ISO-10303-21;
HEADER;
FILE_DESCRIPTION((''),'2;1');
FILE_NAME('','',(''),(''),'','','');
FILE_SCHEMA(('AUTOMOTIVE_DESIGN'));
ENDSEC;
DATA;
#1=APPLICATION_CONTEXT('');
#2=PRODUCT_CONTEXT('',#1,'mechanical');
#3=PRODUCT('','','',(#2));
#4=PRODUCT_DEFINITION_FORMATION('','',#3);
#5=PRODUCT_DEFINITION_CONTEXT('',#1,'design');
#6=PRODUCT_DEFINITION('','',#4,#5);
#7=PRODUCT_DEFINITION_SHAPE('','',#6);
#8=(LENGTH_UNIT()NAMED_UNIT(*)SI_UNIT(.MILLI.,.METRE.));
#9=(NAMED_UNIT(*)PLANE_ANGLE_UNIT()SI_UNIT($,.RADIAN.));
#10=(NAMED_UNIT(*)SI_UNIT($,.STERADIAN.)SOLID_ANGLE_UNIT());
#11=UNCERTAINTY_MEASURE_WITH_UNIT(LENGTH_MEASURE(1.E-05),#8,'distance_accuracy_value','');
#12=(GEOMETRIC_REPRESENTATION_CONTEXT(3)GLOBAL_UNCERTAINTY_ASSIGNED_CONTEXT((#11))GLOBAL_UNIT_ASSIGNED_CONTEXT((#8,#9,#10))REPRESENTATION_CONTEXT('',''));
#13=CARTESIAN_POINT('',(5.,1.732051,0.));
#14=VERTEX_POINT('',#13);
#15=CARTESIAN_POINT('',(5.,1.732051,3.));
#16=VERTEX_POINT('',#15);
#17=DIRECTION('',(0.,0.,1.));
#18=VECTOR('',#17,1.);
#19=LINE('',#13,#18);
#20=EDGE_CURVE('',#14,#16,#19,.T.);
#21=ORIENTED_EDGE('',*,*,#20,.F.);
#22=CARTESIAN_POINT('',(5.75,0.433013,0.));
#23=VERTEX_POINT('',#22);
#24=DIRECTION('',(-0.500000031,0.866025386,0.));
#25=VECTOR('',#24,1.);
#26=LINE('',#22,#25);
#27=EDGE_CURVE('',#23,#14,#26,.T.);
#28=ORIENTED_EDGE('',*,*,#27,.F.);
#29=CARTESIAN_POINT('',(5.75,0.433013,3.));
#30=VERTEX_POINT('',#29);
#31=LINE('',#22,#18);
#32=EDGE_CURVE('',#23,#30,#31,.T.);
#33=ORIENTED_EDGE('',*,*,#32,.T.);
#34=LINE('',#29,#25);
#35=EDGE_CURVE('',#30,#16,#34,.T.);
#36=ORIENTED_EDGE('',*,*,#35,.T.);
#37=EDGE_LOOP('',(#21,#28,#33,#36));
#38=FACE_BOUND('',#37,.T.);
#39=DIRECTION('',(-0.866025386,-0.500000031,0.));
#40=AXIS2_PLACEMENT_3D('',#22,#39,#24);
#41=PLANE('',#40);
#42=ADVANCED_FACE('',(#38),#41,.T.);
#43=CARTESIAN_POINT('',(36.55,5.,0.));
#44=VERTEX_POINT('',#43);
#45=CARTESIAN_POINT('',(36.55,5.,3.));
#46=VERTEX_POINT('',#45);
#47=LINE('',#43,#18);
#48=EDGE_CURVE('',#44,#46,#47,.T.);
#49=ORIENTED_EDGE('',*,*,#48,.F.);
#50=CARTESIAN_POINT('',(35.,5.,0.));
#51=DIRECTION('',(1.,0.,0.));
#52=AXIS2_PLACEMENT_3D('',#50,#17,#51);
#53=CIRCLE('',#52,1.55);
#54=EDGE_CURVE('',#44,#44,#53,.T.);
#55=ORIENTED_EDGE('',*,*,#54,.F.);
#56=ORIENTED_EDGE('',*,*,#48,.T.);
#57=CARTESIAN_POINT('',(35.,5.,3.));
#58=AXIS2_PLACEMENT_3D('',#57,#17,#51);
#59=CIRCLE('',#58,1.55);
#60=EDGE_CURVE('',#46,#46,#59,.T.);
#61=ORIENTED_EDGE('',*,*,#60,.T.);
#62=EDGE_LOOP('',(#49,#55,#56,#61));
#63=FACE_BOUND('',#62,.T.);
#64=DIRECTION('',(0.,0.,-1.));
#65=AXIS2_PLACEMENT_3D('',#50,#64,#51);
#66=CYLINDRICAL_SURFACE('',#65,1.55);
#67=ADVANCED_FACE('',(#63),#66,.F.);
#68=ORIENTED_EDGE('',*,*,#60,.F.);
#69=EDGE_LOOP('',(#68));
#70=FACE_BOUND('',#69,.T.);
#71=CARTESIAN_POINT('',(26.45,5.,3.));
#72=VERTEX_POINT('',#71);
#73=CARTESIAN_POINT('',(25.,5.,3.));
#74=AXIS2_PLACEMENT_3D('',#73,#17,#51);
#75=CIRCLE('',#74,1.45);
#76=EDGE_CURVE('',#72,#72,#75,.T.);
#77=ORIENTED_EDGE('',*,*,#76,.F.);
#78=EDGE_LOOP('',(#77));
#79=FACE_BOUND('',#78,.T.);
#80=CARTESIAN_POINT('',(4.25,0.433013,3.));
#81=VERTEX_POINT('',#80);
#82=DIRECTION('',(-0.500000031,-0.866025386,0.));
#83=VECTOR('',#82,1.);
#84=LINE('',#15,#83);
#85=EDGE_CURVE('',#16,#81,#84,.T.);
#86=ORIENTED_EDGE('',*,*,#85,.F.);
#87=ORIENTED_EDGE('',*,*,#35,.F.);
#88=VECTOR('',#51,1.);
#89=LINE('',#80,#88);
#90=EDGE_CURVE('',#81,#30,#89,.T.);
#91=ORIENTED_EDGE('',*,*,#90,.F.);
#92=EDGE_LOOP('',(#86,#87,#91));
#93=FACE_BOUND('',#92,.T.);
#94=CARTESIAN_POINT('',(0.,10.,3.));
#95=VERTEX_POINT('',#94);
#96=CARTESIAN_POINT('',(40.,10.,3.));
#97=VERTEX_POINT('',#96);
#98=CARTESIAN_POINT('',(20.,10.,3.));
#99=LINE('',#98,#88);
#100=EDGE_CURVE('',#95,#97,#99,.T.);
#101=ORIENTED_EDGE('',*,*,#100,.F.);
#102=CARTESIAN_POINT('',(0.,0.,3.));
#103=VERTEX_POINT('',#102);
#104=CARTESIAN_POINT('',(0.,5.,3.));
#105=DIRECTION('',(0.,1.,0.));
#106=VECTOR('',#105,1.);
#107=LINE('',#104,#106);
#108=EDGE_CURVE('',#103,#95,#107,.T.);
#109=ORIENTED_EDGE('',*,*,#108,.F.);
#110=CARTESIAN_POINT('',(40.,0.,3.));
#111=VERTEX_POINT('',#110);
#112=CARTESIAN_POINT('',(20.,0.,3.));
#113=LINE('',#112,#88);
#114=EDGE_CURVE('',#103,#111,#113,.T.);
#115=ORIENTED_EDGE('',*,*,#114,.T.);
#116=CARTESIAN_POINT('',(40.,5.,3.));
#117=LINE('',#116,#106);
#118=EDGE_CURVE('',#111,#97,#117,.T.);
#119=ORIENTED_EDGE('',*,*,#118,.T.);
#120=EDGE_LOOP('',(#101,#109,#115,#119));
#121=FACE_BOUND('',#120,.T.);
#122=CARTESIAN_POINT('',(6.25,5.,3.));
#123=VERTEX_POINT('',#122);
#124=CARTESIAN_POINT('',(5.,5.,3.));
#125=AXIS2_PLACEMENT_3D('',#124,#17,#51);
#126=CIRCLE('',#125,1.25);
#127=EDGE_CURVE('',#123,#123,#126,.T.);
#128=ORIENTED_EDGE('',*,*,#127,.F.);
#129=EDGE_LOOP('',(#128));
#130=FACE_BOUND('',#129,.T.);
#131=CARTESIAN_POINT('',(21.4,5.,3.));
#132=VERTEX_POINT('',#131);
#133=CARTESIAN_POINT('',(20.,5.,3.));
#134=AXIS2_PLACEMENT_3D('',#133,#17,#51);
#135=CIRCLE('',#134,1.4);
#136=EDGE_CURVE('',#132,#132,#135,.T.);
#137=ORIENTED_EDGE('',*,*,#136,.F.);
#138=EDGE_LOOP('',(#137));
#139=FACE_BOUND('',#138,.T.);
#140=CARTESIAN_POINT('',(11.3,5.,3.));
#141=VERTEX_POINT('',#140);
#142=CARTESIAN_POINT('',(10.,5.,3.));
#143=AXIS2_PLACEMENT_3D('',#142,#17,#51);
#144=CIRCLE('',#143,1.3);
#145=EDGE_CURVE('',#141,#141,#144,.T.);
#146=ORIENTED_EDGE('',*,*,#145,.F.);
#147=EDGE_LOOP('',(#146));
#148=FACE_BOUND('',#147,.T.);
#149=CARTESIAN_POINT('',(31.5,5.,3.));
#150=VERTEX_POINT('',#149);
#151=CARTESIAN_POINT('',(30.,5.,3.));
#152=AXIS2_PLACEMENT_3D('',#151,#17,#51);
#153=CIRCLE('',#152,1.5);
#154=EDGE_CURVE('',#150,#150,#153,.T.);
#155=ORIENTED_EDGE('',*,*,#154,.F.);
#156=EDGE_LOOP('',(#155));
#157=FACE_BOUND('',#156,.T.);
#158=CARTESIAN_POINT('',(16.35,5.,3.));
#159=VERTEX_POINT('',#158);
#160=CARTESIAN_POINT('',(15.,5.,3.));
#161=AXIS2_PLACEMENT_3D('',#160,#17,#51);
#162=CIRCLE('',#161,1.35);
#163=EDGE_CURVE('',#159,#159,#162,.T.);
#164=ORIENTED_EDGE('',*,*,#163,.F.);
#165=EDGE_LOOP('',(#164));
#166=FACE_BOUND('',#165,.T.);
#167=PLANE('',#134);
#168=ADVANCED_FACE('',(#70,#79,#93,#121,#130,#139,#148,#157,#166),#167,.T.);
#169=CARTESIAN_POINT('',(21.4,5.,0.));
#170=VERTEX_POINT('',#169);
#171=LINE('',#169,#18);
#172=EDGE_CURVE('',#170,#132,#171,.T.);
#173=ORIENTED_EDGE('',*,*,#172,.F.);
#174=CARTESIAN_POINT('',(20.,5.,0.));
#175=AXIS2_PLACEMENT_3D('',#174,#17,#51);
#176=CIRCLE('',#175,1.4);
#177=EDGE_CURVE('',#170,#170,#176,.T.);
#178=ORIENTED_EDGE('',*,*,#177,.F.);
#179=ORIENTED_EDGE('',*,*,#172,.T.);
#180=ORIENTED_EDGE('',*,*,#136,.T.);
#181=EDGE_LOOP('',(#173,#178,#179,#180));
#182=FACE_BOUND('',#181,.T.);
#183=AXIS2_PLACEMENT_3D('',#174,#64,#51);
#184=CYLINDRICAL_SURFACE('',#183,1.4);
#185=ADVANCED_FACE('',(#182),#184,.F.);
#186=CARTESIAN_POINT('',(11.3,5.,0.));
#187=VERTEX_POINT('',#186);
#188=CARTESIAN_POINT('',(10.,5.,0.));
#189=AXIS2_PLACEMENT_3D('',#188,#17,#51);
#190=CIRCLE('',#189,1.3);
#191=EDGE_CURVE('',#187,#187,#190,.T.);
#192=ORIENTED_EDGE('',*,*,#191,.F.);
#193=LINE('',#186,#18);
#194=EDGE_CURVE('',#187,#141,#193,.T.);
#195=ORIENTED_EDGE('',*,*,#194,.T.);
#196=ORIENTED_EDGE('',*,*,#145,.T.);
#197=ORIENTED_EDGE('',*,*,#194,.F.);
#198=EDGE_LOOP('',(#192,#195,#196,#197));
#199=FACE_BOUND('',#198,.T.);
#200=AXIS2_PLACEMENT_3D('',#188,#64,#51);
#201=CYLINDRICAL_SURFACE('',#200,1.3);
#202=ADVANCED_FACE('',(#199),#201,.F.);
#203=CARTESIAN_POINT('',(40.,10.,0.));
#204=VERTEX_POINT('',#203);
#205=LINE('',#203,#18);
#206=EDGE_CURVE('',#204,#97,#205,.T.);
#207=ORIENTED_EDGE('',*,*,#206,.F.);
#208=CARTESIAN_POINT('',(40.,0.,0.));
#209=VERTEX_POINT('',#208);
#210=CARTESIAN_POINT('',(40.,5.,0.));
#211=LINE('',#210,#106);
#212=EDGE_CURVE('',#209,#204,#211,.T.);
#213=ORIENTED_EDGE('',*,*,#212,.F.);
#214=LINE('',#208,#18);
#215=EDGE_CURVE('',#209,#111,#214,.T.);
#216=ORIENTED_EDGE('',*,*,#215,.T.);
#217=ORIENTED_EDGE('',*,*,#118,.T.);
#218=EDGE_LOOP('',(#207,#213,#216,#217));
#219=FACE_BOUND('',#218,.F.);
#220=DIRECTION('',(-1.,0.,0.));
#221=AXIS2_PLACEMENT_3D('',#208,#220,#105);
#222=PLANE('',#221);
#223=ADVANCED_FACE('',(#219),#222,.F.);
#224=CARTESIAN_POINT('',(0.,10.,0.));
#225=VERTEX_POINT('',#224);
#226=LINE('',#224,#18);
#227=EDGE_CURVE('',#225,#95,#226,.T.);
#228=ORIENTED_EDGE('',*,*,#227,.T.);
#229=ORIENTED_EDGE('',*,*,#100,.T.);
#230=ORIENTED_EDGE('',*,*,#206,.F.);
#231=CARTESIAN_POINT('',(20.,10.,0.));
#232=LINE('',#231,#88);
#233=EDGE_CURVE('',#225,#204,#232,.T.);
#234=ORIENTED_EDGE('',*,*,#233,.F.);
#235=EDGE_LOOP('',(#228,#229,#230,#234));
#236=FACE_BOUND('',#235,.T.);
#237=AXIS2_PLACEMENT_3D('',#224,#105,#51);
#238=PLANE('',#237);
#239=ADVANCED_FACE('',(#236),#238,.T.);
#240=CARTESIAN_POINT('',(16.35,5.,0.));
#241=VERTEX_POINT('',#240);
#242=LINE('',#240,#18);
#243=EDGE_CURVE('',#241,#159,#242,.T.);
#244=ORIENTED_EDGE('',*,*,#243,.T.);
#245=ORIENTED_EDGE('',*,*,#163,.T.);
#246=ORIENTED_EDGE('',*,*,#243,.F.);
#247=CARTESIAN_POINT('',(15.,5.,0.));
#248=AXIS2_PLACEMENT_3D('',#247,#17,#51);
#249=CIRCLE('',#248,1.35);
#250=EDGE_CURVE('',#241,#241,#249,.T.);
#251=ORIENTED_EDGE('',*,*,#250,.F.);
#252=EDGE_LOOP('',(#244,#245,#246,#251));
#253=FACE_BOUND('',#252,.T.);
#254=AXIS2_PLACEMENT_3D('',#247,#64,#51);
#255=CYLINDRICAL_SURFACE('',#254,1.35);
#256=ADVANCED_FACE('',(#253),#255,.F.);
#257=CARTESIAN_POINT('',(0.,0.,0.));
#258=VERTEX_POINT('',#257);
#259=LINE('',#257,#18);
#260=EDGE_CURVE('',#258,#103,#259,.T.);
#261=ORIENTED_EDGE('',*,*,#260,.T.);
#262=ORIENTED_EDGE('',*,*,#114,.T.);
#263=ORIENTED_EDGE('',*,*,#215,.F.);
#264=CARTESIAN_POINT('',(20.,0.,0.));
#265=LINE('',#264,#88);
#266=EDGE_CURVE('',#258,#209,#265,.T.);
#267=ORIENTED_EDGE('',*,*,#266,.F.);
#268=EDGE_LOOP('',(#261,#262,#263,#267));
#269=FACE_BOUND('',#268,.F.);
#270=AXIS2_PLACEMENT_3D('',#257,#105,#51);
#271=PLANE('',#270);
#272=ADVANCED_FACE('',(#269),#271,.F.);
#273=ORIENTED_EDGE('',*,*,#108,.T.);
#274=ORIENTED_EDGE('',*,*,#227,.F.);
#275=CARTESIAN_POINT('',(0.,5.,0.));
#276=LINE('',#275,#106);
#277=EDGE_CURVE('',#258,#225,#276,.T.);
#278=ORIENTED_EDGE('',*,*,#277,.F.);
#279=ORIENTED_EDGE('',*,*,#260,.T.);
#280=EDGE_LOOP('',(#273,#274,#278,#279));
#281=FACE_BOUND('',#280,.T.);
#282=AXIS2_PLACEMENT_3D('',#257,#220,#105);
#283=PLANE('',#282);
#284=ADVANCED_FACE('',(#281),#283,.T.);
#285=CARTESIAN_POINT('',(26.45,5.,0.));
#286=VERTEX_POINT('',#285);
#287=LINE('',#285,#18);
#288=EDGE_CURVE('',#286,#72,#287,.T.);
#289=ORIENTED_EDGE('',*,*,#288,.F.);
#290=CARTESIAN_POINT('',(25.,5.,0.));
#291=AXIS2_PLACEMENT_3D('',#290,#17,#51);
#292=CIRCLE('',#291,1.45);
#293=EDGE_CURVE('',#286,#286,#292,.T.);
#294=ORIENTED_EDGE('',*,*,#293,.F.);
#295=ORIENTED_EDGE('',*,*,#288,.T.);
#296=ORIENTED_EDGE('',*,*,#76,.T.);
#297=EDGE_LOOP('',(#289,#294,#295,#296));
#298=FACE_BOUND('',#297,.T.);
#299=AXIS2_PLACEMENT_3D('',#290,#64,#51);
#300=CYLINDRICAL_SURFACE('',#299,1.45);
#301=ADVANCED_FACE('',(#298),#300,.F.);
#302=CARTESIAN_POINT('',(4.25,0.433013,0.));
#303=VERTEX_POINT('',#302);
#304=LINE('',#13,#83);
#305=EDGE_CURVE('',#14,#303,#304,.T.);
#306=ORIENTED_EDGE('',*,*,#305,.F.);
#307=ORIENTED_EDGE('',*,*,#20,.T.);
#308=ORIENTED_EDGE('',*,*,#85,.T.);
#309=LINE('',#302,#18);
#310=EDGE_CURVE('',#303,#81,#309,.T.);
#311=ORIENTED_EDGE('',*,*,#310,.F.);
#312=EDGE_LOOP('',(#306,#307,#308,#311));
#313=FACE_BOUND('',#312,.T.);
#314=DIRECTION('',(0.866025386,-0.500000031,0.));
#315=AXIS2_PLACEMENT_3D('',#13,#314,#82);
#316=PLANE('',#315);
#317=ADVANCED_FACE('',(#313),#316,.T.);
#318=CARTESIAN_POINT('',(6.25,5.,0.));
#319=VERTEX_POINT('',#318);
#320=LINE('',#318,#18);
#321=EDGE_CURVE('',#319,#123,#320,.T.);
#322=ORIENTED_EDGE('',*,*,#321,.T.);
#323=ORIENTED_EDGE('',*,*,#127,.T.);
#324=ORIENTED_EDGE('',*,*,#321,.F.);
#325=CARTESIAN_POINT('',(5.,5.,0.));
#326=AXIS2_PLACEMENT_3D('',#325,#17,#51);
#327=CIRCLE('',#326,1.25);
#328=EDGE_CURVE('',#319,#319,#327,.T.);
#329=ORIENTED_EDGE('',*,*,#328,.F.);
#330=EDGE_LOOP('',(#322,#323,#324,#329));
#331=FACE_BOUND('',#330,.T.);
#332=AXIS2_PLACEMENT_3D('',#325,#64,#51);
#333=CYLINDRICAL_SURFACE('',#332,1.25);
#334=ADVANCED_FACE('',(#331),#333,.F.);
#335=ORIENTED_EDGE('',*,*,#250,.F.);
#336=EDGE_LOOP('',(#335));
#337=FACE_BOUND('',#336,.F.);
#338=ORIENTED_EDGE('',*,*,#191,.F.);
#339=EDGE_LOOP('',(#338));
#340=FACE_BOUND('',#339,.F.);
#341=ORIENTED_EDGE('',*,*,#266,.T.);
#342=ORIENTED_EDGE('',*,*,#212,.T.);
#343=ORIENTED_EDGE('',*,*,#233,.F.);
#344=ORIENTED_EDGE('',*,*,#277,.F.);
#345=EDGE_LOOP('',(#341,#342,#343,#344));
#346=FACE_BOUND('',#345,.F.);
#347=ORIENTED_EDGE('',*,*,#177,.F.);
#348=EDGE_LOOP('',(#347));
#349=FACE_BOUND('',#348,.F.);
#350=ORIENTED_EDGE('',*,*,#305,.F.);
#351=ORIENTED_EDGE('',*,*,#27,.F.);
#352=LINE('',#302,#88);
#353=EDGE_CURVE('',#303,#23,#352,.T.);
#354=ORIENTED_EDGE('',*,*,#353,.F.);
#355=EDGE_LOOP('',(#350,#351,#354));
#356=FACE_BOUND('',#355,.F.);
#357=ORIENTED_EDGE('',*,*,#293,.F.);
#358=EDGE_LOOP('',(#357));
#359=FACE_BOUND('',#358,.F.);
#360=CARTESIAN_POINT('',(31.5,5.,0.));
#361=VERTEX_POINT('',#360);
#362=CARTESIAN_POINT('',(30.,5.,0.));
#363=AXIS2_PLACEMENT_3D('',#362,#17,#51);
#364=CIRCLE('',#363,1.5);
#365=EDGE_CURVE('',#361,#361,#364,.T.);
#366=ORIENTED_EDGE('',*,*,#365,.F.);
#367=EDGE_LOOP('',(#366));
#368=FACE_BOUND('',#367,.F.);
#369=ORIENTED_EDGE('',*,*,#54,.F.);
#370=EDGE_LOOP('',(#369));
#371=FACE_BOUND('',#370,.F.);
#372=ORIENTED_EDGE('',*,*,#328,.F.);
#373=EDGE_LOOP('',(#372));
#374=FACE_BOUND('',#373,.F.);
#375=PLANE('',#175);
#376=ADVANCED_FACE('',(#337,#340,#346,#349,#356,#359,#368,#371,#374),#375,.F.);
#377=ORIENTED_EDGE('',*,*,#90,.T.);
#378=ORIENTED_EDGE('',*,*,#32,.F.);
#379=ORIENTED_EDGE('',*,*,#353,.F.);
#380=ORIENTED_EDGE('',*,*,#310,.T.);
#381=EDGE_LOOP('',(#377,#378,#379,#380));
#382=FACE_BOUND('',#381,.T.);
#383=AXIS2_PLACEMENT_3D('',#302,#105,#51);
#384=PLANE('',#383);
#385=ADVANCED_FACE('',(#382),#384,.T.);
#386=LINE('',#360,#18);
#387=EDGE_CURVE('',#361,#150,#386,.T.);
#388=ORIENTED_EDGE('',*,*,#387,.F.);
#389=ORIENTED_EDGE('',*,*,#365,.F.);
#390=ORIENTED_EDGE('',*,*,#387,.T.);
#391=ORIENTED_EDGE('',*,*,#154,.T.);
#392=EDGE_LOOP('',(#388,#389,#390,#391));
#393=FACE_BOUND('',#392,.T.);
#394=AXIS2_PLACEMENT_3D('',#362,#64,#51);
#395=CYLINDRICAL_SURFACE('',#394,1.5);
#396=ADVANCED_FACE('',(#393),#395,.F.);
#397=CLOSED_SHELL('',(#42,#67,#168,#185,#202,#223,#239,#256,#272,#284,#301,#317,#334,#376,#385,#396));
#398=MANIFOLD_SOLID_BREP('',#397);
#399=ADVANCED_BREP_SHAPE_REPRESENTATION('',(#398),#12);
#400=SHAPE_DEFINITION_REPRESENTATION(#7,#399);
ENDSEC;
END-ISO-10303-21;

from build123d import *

# Parameters (mm, degrees)
SKETCH_W   = 40
SKETCH_H   = 10
SKETCH_R   = 1.25
SKETCH_R_2 = 1.35
SKETCH_R_3 = 1.3
SKETCH_R_4 = 1.4
SKETCH_R_5 = 1.45
SKETCH_R_6 = 1.5
SKETCH_R_7 = 1.55
PAD_DEPTH  = 3


with BuildPart() as part:
    # Sketch → Pad (new body)
    with BuildSketch(Plane.XY):
        with Locations((20, 5)):
            Rectangle(SKETCH_W, SKETCH_H)
        with Locations((5, 5)):
            Circle(SKETCH_R, mode=Mode.SUBTRACT)
        with Locations((15, 5)):
            Circle(SKETCH_R_2, mode=Mode.SUBTRACT)
        with Locations((10, 5)):
            Circle(SKETCH_R_3, mode=Mode.SUBTRACT)
        with Locations((20, 5)):
            Circle(SKETCH_R_4, mode=Mode.SUBTRACT)
        with Locations((25, 5)):
            Circle(SKETCH_R_5, mode=Mode.SUBTRACT)
        with Locations((30, 5)):
            Circle(SKETCH_R_6, mode=Mode.SUBTRACT)
        with Locations((35, 5)):
            Circle(SKETCH_R_7, mode=Mode.SUBTRACT)
        Polygon((4.25, 0.433013), (5.75, 0.433013), (5, 1.732051), align=None, mode=Mode.SUBTRACT)
    extrude(amount=PAD_DEPTH)


solid = part.part
